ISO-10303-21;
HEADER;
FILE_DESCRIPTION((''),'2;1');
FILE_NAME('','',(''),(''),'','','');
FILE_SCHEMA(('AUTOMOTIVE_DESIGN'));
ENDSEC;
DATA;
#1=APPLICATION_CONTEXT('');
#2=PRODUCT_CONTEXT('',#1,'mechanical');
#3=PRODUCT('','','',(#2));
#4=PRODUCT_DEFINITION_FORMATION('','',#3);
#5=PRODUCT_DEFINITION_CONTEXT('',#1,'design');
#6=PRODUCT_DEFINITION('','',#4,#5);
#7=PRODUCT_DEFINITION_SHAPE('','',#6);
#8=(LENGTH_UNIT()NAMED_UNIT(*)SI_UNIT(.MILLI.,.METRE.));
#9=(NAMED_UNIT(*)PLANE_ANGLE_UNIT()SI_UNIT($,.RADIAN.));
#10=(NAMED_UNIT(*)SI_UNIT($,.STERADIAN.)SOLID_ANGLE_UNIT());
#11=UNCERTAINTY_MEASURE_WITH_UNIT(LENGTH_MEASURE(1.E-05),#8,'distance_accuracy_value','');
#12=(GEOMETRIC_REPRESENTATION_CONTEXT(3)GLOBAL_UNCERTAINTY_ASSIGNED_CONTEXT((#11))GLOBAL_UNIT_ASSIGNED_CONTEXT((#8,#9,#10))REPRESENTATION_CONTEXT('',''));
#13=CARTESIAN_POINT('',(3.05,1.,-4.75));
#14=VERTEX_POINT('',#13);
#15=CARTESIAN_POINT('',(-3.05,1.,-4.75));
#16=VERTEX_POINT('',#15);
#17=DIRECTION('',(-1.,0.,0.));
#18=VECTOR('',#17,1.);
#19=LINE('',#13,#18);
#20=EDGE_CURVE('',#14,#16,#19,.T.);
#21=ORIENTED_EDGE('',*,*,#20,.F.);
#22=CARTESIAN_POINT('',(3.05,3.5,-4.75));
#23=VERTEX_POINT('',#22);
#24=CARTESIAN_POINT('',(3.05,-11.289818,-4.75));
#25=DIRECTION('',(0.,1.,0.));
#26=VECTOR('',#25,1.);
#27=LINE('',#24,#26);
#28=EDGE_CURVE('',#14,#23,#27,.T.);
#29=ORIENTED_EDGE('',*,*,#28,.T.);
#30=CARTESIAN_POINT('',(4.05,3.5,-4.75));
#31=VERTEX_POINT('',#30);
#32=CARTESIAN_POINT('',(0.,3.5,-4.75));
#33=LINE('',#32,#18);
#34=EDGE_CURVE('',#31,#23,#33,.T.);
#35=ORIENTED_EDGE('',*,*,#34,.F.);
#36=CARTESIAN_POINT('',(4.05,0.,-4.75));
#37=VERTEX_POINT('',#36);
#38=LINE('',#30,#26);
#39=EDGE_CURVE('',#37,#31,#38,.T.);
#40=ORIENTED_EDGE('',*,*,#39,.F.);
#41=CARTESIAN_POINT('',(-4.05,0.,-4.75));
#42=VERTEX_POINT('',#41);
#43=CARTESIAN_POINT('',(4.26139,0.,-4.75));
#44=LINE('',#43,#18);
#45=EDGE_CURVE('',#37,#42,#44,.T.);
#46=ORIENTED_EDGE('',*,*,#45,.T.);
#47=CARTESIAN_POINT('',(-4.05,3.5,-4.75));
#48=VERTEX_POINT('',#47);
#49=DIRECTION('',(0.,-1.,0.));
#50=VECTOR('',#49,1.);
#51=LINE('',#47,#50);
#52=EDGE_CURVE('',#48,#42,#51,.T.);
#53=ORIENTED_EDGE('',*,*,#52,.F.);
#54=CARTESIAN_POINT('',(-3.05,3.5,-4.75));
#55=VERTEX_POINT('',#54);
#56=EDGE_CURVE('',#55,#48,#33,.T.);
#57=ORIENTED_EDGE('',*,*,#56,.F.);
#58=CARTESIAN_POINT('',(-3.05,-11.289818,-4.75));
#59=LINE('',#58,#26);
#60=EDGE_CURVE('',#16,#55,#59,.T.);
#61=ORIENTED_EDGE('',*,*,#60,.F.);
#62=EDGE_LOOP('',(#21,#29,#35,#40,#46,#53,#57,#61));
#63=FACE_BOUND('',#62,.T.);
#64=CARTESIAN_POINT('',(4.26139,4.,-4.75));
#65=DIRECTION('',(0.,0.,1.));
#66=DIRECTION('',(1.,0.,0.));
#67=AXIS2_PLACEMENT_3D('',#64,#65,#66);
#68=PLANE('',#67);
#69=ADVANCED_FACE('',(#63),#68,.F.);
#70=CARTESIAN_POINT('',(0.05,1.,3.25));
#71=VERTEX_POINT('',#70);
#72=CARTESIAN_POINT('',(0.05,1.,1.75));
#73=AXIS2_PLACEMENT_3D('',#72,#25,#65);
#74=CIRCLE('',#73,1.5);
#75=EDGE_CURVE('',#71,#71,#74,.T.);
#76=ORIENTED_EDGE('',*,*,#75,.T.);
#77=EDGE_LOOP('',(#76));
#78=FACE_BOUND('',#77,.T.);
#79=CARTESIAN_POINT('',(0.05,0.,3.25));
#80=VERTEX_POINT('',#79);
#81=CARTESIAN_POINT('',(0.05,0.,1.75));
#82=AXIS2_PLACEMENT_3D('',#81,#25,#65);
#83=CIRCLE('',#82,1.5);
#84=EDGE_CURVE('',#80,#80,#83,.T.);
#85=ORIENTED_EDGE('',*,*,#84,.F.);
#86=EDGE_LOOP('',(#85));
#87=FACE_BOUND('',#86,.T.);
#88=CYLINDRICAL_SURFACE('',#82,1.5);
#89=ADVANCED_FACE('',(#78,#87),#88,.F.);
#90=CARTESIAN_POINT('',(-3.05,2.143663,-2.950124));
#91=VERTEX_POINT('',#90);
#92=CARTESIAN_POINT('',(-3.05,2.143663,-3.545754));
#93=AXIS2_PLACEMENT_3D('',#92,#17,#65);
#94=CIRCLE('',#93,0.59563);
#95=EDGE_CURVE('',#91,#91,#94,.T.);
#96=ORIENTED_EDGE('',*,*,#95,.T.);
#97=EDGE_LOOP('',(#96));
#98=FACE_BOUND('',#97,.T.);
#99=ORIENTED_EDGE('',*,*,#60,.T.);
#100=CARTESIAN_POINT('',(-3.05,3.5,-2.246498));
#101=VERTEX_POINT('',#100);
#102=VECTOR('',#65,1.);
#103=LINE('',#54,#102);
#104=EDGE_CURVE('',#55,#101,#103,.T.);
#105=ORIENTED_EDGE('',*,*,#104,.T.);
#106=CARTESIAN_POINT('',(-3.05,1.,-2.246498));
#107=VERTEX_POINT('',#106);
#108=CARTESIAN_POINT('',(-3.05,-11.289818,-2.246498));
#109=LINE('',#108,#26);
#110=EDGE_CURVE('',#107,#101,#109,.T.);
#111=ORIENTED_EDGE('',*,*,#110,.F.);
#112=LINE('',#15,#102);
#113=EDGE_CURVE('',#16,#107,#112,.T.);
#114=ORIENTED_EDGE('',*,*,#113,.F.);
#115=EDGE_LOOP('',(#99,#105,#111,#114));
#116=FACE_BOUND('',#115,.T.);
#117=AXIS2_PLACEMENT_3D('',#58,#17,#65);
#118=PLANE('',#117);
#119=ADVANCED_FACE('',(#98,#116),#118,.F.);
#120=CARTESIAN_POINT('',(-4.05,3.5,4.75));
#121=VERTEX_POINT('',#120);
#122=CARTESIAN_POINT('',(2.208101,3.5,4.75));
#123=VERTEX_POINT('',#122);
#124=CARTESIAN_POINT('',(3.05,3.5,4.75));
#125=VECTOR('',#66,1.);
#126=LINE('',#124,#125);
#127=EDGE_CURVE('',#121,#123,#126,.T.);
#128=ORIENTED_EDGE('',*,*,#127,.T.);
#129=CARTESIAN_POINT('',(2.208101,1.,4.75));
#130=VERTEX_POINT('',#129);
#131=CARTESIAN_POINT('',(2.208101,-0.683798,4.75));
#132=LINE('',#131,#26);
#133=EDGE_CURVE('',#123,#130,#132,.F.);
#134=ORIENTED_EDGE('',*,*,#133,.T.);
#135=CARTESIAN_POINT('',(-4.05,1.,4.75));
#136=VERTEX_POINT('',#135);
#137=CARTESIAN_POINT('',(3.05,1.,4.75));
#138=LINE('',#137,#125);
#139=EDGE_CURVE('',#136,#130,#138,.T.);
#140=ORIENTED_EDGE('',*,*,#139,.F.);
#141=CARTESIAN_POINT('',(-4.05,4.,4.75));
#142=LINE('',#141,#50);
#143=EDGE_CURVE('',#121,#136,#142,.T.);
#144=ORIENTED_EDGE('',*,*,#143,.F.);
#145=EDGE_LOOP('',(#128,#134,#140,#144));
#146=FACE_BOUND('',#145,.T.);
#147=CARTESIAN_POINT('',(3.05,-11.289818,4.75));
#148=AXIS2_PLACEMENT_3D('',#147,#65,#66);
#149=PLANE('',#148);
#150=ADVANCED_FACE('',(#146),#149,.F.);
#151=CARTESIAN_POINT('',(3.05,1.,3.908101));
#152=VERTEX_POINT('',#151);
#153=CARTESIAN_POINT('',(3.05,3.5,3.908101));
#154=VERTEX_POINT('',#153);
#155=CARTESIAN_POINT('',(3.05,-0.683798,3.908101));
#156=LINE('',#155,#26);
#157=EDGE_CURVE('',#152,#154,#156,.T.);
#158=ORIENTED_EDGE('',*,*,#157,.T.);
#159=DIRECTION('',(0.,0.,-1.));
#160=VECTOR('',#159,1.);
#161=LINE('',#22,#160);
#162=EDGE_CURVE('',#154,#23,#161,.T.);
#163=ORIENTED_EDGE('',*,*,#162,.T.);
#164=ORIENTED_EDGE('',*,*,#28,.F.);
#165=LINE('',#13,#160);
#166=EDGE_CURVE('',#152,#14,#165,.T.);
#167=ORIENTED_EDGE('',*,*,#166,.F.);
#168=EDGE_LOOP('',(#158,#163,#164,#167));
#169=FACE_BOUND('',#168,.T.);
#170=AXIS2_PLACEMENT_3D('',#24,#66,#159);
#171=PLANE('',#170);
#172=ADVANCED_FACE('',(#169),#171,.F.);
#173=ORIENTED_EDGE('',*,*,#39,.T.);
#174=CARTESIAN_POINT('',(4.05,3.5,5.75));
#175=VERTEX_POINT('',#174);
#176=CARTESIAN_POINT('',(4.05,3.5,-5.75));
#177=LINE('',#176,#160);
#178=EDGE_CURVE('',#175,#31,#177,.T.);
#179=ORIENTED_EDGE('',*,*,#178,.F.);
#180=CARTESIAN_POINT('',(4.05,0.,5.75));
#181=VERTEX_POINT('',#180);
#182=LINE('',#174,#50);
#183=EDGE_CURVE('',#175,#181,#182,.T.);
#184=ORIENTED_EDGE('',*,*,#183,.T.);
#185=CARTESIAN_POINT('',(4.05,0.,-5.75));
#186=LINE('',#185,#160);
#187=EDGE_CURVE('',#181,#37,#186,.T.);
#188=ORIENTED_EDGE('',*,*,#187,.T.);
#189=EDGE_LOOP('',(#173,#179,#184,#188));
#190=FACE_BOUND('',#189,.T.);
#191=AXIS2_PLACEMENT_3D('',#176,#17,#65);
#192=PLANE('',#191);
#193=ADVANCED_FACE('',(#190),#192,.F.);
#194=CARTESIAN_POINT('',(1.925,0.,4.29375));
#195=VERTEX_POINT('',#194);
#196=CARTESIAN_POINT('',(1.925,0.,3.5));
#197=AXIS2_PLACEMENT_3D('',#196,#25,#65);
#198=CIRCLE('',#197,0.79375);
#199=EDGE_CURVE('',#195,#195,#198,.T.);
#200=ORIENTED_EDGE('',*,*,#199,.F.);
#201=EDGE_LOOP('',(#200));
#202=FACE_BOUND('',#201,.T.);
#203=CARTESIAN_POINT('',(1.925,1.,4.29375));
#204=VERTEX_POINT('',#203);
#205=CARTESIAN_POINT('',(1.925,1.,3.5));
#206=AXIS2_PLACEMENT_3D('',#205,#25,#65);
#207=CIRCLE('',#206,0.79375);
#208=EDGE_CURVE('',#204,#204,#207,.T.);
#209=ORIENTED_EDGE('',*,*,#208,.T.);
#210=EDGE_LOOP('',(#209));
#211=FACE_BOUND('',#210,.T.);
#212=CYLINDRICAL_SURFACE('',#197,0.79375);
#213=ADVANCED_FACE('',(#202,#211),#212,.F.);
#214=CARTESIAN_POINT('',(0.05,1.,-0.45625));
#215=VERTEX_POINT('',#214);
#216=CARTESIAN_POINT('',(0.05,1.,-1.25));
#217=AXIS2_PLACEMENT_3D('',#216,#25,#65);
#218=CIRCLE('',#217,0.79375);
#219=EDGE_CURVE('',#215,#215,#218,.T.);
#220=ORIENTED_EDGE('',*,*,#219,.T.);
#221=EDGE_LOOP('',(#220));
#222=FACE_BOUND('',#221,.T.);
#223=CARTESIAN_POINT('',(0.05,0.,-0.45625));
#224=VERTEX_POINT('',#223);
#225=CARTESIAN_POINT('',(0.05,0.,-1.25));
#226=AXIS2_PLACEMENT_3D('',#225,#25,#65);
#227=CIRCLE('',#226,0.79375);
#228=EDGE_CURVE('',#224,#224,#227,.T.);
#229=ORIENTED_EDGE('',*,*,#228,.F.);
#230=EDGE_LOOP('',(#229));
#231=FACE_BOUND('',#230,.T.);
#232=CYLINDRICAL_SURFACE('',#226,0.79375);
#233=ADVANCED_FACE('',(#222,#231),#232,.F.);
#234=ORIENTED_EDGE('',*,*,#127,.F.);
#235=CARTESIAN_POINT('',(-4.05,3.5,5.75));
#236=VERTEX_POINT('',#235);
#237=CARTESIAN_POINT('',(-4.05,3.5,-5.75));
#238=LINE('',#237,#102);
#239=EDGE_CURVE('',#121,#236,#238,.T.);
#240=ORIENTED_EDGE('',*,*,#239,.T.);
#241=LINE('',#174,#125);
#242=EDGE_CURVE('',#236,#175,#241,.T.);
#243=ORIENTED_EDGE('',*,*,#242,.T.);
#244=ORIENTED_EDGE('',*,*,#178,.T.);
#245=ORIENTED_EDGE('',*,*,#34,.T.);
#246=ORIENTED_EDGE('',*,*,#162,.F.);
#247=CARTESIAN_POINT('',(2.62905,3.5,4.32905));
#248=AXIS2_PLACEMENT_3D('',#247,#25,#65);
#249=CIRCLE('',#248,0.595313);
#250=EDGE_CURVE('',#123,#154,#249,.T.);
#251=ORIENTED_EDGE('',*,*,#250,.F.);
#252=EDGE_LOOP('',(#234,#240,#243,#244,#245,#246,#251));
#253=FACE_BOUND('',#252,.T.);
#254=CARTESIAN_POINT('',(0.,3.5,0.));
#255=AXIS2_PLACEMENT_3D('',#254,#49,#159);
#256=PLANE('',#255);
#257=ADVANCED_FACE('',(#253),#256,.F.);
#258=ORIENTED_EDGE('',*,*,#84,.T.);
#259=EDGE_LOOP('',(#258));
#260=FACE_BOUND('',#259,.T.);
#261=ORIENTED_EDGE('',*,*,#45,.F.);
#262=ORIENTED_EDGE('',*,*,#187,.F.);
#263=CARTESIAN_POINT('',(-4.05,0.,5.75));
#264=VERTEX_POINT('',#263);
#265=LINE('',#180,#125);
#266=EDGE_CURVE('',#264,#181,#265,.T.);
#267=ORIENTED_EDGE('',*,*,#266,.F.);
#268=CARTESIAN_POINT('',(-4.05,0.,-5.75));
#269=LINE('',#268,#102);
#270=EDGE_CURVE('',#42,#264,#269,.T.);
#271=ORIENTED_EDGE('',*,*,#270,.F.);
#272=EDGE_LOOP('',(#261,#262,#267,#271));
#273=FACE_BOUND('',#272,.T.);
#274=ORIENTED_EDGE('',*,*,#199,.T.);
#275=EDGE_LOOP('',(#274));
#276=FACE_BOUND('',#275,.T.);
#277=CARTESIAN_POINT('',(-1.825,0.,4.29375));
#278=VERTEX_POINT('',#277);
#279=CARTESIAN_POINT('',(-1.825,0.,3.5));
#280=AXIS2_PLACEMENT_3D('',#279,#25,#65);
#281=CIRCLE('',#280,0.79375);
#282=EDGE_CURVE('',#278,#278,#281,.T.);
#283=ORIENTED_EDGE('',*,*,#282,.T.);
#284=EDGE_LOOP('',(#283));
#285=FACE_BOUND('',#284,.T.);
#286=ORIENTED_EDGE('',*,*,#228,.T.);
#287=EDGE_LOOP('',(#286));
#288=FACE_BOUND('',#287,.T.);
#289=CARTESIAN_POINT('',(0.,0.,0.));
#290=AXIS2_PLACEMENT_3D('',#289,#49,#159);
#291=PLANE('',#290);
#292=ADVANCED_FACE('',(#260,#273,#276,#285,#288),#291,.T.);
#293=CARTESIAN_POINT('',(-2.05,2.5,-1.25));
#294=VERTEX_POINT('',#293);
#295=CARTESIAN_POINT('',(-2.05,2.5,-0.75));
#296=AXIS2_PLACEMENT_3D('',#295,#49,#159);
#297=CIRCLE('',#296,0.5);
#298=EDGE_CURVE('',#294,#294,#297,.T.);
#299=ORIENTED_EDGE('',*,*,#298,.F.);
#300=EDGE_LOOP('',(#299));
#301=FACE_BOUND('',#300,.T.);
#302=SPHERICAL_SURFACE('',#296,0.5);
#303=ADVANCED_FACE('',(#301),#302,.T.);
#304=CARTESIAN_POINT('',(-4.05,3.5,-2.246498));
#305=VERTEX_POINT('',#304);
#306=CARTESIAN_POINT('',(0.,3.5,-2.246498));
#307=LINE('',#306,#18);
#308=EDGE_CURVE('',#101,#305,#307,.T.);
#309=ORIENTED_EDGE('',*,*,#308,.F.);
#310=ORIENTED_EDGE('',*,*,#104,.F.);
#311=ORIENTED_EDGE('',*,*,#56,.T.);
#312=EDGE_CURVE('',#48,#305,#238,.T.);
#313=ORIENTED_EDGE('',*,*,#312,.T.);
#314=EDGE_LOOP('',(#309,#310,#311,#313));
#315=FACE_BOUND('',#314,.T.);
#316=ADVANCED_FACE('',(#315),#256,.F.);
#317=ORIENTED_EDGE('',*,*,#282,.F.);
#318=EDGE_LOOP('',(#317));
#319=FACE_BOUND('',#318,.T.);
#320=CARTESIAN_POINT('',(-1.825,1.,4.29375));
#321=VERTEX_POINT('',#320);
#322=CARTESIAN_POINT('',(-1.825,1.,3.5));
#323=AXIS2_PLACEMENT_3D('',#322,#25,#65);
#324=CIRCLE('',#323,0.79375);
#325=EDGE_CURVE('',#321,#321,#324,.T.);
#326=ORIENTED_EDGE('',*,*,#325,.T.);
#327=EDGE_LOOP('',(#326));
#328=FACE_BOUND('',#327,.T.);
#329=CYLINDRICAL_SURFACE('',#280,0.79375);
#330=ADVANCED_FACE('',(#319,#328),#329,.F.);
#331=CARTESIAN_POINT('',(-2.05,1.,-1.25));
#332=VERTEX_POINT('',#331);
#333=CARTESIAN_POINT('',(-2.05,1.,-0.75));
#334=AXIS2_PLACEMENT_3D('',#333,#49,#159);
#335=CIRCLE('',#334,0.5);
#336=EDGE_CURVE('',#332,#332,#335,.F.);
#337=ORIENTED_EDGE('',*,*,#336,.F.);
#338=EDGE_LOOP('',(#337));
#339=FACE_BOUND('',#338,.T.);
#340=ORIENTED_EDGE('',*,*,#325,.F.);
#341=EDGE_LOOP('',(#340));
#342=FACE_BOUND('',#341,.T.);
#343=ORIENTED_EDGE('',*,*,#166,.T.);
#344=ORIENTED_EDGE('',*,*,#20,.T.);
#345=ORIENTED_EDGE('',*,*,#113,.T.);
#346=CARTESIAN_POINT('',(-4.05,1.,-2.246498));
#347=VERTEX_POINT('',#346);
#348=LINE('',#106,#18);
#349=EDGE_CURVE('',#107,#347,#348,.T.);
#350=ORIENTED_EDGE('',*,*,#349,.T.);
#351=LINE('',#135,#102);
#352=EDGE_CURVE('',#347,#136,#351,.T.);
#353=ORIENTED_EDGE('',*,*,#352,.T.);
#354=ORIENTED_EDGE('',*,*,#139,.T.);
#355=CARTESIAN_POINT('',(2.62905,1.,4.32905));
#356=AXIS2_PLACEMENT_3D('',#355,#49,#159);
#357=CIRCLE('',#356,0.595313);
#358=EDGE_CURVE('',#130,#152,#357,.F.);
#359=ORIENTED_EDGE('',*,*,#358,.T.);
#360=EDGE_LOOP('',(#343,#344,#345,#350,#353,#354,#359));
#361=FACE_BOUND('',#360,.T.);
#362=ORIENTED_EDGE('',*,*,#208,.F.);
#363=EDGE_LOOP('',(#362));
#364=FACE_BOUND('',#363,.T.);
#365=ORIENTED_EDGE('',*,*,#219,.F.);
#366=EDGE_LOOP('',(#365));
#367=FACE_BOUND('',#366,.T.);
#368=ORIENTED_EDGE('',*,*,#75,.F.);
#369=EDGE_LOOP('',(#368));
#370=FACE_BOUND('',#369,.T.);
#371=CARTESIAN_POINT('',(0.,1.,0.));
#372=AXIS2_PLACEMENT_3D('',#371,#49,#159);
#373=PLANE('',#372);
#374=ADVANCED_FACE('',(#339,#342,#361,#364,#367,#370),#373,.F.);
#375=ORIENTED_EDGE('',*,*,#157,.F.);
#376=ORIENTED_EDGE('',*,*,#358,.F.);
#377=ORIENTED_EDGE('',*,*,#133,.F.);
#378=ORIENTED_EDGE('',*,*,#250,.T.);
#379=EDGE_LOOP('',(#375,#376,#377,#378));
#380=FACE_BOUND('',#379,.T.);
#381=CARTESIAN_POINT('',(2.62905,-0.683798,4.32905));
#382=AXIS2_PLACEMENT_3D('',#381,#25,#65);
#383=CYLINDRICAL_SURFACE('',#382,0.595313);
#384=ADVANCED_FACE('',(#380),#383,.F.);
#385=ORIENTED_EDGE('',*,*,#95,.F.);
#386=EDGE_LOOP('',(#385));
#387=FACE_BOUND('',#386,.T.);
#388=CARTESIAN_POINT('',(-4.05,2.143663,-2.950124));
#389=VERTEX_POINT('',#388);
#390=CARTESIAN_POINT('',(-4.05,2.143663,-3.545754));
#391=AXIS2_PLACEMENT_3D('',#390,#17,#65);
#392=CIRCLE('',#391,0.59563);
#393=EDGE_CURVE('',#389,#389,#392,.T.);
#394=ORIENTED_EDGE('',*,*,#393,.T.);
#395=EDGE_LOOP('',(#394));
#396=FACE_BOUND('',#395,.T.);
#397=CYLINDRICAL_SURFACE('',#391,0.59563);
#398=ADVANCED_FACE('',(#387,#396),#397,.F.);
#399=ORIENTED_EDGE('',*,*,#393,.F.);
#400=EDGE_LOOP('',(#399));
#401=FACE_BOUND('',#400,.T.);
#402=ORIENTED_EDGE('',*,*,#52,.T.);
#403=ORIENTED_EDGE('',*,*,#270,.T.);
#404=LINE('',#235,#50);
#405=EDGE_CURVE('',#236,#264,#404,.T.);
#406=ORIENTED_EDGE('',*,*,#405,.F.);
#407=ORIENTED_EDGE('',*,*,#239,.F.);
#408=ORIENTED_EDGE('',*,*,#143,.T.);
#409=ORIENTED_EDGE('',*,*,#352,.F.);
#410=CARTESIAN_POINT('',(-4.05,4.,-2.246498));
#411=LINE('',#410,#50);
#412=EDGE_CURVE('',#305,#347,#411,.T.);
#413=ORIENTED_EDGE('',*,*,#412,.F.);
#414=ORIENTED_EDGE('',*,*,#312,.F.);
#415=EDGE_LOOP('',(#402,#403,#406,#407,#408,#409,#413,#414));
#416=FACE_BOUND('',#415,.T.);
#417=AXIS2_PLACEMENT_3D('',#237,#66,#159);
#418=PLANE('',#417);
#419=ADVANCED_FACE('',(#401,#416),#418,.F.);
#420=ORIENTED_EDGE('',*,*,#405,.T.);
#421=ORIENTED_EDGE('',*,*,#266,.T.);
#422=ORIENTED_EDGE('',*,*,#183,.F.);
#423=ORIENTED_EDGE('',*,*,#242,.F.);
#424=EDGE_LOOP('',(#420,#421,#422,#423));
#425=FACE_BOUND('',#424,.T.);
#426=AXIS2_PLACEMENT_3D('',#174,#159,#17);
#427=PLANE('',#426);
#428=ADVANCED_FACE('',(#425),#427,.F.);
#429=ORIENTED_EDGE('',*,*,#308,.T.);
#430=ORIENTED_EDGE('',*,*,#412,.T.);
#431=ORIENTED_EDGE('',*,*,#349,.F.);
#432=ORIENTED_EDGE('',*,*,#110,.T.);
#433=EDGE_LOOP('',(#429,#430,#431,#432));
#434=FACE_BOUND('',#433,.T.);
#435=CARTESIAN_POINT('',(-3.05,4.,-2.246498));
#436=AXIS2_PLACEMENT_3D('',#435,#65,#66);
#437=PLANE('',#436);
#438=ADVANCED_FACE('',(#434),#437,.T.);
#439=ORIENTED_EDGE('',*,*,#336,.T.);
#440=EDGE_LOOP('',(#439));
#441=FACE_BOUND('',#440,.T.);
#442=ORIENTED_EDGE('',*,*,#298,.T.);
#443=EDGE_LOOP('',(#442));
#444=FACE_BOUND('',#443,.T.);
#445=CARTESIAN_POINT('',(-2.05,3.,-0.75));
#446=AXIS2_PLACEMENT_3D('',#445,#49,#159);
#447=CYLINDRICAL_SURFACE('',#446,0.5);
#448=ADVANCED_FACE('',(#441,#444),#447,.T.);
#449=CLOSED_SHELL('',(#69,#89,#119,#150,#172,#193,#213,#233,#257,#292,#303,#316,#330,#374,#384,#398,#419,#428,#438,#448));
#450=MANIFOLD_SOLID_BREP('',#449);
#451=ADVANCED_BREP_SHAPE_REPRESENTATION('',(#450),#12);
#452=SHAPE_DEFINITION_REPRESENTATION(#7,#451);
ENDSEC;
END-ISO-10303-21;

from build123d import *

# Parameters (mm, degrees)
SKETCH1_W                          = 8.1
SKETCH1_H                          = 11.5
BOSS_EXTRUDE1_DEPTH                = 3.5
SKETCH2_W                          = 6.1
SKETCH2_H                          = 9.5
CUT_EXTRUDE1_DEPTH                 = 2.5
SKETCH3_R                          = 1.5
CUT_EXTRUDE2_DEPTH                 = 2
SKETCH6_R                          = 0.5953125
CUT_EXTRUDE5_DEPTH                 = 2.5
SKETCH7_R                          = 0.79375
CUT_EXTRUDE6_DEPTH                 = 2
SKETCH16_W                         = 8.991857398
SKETCH16_H                         = 1
BACK_CUT_EXTRUDE_DEPTH             = 4
SKETCH17_W                         = 1
SKETCH17_H                         = 6.996497869
SIDE_CUT_EXTRUDE_DEPTH             = 3
SKETCH18_R                         = 0.5
PEG_EXTRUDE_DEPTH                  = 2
FILLET1_R                          = 0.5
TAP_DRILL_SLOT_FOR_0_80_TAP2_D     = 1.19126
TAP_DRILL_SLOT_FOR_0_80_TAP2_DEPTH = 1
TAP_DRILL_SLOT_FOR_0_80_TAP2_TIP   = 0.357890611


with BuildPart() as part:
    # Sketch1 → Boss-Extrude1 (new body)
    with BuildSketch(Plane(origin=(0, 0, 0), x_dir=(1, 0, 0), z_dir=(0, 1, 0))):
        Rectangle(SKETCH1_W, SKETCH1_H)
    extrude(amount=BOSS_EXTRUDE1_DEPTH)

    # Sketch2 → Cut-Extrude1 (cut)
    with BuildSketch(Plane(origin=(0, 3.5, 0), x_dir=(1, 0, 0), z_dir=(0, 1, 0))):
        Rectangle(SKETCH2_W, SKETCH2_H)
    extrude(amount=-CUT_EXTRUDE1_DEPTH, mode=Mode.SUBTRACT)

    # Sketch3 → Cut-Extrude2 (cut, through all)
    with BuildSketch(Plane(origin=(0, 1, 0), x_dir=(1, 0, 0), z_dir=(0, 1, 0))):
        with Locations((0.05, -1.75)):
            Circle(SKETCH3_R)
    extrude(amount=-CUT_EXTRUDE2_DEPTH, mode=Mode.SUBTRACT)

    # Sketch6 → Cut-Extrude5 (cut)
    with BuildSketch(Plane(origin=(0, 3.5, 0), x_dir=(1, 0, 0), z_dir=(0, 1, 0))):
        with Locations((2.629050494, -4.329050494)):
            Circle(SKETCH6_R)
    extrude(amount=-CUT_EXTRUDE5_DEPTH, mode=Mode.SUBTRACT)

    # Sketch7 → Cut-Extrude6 (cut, through all)
    with BuildSketch(Plane(origin=(0, 1, 0), x_dir=(1, 0, 0), z_dir=(0, 1, 0))):
        with Locations((0.05, 1.25)):
            Circle(SKETCH7_R)
        with Locations((-1.825, -3.5)):
            Circle(SKETCH7_R)
        with Locations((1.925, -3.5)):
            Circle(SKETCH7_R)
    extrude(amount=-CUT_EXTRUDE6_DEPTH, mode=Mode.SUBTRACT)

    # Sketch16 → Back-cut-extrude (cut)
    with BuildSketch(Plane.XZ):
        with Locations((-0.234538983, -5.25)):
            Rectangle(SKETCH16_W, SKETCH16_H)
    extrude(amount=-BACK_CUT_EXTRUDE_DEPTH, mode=Mode.SUBTRACT)

    # Sketch17 → Side-cut-extrude (cut)
    with BuildSketch(Plane(origin=(0, 1, 0), x_dir=(1, 0, 0), z_dir=(0, 1, 0))):
        with Locations((-3.55, -1.251751065)):
            Rectangle(SKETCH17_W, SKETCH17_H)
    extrude(amount=SIDE_CUT_EXTRUDE_DEPTH, mode=Mode.SUBTRACT)

    # Sketch18 → Peg-Extrude (add)
    with BuildSketch(Plane(origin=(0, 1, 0), x_dir=(1, 0, 0), z_dir=(0, 1, 0))):
        with Locations((-2.05, 0.75)):
            Circle(SKETCH18_R)
    extrude(amount=PEG_EXTRUDE_DEPTH)

    # Fillet1
    fillet1_edges = [part.edges().sort_by_distance(p)[0] for p in [
        (-2.55, 3, -0.75),
    ]]
    fillet(fillet1_edges, radius=FILLET1_R)

    # Tap Drill Slot for #0-80 Tap2
    with Locations(Plane.ZY.offset(4.05)):
        with Locations((-3.545754268, 2.143662575)):
            Hole(TAP_DRILL_SLOT_FOR_0_80_TAP2_D / 2, depth=TAP_DRILL_SLOT_FOR_0_80_TAP2_DEPTH)
            with Locations((0, 0, -(TAP_DRILL_SLOT_FOR_0_80_TAP2_DEPTH + TAP_DRILL_SLOT_FOR_0_80_TAP2_TIP / 2))):  # 118° drill point
                Cone(0, TAP_DRILL_SLOT_FOR_0_80_TAP2_D / 2, TAP_DRILL_SLOT_FOR_0_80_TAP2_TIP, mode=Mode.SUBTRACT)


solid = part.part
